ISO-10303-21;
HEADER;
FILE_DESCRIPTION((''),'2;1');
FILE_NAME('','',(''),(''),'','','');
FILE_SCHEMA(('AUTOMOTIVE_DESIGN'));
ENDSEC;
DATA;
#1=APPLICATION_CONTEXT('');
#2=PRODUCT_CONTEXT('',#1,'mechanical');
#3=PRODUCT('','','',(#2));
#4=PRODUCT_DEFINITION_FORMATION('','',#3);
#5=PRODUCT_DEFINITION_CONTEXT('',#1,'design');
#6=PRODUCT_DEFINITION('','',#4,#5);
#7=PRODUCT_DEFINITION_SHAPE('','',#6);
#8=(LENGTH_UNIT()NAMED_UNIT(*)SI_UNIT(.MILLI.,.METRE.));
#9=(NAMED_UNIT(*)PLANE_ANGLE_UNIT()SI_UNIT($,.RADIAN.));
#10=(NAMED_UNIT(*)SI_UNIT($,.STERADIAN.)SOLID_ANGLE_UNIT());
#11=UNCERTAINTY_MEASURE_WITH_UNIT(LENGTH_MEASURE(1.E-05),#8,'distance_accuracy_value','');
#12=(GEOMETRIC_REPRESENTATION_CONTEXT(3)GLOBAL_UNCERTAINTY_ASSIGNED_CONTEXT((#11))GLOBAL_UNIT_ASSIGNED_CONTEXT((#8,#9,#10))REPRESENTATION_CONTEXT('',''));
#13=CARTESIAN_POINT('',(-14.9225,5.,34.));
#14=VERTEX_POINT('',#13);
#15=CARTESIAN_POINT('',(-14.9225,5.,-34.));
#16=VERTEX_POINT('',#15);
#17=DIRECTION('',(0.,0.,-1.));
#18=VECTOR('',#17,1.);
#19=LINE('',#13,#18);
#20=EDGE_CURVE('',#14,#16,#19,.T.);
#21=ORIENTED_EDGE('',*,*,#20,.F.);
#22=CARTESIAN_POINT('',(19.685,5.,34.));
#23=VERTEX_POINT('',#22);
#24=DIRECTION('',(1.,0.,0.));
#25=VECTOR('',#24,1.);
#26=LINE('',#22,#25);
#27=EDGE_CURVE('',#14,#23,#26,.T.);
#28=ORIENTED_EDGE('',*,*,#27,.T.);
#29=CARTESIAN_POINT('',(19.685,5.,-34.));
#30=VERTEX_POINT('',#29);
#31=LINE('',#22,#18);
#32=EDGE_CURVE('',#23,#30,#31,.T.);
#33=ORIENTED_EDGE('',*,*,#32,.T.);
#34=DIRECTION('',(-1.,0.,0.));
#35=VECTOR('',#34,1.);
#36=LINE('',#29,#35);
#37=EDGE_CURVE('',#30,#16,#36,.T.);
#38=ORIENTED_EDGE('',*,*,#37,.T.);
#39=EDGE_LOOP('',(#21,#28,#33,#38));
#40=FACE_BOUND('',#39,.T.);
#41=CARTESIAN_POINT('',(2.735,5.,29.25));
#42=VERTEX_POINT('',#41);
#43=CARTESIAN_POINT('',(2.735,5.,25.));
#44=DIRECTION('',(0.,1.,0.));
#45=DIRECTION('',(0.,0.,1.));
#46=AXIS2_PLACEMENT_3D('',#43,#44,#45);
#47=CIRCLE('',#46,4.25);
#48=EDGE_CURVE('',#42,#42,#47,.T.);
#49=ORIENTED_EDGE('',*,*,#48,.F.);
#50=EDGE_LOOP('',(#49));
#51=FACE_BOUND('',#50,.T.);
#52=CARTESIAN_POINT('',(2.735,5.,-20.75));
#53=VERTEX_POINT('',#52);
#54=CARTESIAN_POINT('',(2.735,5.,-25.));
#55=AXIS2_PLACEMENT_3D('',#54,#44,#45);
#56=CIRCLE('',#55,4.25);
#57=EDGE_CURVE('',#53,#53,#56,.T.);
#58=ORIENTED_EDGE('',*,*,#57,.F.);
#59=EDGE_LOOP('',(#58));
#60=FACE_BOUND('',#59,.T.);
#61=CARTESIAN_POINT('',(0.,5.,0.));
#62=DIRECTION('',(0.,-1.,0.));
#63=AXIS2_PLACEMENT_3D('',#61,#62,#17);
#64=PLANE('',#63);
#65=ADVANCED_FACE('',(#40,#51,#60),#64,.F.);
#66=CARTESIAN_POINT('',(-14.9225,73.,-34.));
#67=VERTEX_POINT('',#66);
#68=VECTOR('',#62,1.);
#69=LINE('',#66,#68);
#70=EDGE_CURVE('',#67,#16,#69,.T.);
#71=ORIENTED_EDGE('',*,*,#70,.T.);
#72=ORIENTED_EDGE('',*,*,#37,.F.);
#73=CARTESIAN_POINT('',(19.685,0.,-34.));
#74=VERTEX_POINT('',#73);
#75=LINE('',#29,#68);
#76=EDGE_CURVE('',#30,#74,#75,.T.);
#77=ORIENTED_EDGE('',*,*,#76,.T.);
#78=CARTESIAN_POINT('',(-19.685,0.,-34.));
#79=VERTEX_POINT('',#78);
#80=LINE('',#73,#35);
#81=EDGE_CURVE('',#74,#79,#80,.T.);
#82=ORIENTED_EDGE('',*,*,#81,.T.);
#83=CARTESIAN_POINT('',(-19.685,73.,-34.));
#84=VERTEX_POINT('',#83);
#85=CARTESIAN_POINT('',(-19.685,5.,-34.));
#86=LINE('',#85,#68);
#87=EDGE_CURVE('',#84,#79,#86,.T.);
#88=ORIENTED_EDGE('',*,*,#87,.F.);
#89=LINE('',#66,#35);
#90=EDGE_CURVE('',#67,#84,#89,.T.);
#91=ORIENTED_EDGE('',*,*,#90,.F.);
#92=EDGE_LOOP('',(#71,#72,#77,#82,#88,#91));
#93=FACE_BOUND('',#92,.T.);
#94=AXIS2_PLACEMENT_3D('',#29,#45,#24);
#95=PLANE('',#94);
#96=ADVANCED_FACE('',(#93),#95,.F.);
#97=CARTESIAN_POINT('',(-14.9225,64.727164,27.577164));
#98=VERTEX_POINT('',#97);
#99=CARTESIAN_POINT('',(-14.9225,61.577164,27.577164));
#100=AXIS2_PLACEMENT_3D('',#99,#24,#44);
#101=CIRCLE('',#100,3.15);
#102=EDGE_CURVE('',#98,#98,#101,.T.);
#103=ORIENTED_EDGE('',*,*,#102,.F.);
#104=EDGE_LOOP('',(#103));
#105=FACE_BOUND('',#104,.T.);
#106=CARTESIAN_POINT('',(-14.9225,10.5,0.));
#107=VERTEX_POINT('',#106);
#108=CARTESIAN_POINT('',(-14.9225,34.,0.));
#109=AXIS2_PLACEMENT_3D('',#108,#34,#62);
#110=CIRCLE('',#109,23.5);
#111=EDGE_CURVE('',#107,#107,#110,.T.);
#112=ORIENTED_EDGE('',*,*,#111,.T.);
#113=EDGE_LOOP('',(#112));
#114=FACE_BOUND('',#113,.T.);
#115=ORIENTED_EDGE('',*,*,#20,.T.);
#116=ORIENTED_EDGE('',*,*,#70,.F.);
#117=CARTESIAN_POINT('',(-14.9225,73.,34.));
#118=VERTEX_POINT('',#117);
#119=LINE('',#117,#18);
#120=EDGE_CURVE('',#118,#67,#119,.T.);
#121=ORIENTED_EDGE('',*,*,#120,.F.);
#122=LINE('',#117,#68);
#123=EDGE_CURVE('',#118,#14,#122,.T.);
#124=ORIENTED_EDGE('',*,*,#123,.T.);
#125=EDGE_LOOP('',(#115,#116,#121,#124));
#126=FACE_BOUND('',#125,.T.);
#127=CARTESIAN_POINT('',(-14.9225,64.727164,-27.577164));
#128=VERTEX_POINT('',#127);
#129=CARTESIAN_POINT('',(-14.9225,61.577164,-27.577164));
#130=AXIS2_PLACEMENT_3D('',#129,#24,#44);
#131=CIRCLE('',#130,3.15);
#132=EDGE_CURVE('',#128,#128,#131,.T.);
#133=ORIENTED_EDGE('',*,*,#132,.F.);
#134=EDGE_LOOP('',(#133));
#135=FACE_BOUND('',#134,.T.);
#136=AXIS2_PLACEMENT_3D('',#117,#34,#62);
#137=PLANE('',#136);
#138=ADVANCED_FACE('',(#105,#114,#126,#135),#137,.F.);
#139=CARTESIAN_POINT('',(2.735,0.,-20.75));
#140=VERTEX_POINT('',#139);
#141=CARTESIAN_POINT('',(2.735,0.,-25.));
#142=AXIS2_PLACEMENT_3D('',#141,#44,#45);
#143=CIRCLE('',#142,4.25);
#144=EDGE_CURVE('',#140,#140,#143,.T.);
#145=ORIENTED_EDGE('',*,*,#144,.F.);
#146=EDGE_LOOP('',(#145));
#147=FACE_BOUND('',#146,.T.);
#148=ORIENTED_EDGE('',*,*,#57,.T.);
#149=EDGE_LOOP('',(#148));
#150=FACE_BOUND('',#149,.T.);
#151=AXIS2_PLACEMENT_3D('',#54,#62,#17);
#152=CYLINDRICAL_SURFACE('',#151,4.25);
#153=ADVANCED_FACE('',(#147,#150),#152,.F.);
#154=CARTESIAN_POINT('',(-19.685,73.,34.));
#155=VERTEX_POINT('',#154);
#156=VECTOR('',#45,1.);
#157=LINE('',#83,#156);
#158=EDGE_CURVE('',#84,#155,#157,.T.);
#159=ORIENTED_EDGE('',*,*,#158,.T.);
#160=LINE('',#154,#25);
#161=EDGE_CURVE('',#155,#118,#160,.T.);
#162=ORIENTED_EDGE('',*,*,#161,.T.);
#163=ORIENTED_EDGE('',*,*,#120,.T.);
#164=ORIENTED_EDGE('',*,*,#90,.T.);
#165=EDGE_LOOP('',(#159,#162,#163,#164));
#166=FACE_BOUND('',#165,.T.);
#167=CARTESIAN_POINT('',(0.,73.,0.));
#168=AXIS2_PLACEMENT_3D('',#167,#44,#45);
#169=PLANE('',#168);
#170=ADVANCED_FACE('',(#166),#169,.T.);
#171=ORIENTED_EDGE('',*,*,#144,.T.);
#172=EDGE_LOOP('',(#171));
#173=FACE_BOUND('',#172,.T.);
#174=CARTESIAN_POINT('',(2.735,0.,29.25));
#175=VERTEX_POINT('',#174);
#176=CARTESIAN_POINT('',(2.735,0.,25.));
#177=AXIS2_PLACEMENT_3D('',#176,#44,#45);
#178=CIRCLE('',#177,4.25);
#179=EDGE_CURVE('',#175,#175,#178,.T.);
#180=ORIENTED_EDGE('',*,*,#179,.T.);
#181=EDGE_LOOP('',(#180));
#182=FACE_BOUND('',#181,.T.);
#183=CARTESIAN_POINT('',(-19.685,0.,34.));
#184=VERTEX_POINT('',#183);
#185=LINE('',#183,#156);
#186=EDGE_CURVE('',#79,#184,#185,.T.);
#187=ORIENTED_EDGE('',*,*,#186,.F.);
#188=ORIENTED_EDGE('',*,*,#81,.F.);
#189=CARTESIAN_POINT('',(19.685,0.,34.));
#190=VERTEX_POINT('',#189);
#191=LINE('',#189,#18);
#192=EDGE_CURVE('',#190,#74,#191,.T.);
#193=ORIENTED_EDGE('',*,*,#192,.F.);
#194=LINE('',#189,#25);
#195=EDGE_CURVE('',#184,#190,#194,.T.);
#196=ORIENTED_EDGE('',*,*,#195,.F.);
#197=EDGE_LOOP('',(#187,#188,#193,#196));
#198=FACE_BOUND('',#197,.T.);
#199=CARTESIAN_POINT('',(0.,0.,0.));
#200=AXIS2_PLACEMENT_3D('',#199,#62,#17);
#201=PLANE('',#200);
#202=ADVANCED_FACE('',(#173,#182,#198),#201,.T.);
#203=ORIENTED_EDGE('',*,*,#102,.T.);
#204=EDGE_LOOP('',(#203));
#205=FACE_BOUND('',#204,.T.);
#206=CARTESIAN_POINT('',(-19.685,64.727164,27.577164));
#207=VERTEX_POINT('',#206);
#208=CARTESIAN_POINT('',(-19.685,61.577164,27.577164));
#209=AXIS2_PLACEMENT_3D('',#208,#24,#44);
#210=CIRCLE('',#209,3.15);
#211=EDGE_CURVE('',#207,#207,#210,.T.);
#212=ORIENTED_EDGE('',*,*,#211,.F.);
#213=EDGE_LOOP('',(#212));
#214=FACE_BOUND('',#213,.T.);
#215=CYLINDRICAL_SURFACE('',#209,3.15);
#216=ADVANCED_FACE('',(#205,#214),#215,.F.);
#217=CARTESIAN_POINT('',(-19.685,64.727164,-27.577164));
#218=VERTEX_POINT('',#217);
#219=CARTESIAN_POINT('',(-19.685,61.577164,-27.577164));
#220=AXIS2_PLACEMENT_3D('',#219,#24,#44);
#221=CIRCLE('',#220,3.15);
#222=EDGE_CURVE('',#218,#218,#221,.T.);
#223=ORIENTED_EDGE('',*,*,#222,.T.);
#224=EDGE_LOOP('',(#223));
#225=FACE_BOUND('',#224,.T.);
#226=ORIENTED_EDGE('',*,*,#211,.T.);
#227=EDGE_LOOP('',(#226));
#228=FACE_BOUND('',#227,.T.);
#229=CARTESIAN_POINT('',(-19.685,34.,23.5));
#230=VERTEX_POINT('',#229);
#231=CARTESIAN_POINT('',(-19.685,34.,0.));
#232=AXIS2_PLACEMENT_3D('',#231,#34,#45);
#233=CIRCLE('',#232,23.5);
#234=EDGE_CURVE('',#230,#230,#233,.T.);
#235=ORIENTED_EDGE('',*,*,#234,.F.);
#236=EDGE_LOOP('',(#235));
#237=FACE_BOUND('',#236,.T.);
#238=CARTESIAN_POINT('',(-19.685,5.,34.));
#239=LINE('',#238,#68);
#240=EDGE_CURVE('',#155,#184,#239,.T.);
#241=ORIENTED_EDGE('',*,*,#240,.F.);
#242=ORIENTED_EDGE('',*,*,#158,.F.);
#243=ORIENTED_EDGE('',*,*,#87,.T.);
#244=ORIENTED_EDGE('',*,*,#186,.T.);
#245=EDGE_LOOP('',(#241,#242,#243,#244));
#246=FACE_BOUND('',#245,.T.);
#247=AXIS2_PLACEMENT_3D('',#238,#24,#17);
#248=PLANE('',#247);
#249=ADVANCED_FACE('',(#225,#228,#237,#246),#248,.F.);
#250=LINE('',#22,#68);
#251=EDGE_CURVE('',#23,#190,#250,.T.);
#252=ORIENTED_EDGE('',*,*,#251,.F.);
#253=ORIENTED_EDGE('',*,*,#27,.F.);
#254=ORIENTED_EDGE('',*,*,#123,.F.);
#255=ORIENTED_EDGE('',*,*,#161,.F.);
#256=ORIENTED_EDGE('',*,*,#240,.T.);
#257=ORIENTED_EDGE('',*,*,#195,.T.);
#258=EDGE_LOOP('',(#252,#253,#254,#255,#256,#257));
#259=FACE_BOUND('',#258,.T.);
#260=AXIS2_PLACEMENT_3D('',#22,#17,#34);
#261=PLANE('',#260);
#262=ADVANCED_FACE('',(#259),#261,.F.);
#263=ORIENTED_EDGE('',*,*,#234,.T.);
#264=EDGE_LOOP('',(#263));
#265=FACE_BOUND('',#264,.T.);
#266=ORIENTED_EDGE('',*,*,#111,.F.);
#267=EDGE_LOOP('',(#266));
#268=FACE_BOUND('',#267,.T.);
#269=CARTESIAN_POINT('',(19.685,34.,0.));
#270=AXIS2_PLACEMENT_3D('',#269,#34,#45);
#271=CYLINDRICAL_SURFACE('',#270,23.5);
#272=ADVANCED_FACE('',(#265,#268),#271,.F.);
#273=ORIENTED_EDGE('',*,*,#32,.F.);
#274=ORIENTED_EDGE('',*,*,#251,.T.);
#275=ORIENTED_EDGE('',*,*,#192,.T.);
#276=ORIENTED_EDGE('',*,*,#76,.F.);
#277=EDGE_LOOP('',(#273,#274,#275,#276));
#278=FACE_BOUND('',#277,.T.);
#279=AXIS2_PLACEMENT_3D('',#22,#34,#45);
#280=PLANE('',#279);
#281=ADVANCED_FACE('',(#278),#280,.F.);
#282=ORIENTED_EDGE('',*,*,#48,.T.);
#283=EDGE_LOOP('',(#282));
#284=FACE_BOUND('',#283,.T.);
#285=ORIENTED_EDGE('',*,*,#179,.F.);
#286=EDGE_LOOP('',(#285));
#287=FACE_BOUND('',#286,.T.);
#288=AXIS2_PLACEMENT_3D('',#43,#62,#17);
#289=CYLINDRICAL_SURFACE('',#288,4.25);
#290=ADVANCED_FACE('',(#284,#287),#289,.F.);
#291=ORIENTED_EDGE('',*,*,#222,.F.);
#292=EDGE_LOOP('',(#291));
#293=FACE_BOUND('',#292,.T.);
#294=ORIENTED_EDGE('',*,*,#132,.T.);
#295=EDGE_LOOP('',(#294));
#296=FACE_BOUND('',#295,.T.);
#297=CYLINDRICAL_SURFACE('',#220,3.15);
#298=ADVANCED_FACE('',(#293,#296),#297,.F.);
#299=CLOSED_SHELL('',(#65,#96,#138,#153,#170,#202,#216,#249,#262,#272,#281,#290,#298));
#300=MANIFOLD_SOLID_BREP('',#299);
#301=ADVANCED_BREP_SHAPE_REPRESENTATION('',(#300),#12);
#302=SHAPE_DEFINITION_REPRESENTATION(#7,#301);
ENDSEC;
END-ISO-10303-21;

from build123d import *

# Parameters (mm, degrees)
SKETCH1_W           = 68
SKETCH1_H           = 39.37
SKETCH1_R           = 4.25
BOSS_EXTRUDE1_DEPTH = 5
SKETCH2_W           = 68
SKETCH2_H           = 4.7625
BOSS_EXTRUDE2_DEPTH = 68
SKETCH4_R           = 3.15
CUT_EXTRUDE2_DEPTH  = 88.650893072
SKETCH14_R          = 23.5
CUT_EXTRUDE3_DEPTH  = 90.638144224


with BuildPart() as part:
    # Sketch1 → Boss-Extrude1 (new body)
    with BuildSketch(Plane(origin=(0, 0, 0), x_dir=(0, 0, -1), z_dir=(0, 1, 0))):
        Rectangle(SKETCH1_W, SKETCH1_H)
        with Locations((-25, -2.735)):
            Circle(SKETCH1_R, mode=Mode.SUBTRACT)
        with Locations((25, -2.735)):
            Circle(SKETCH1_R, mode=Mode.SUBTRACT)
    extrude(amount=BOSS_EXTRUDE1_DEPTH)

    # Sketch2 → Boss-Extrude2 (add)
    with BuildSketch(Plane(origin=(0, 5, 0), x_dir=(0, 0, -1), z_dir=(0, 1, 0))):
        with Locations((0, 17.30375)):
            Rectangle(SKETCH2_W, SKETCH2_H)
    extrude(amount=BOSS_EXTRUDE2_DEPTH)

    # Sketch4 → Cut-Extrude2 (cut, through all)
    with BuildSketch(Plane(origin=(-14.9225, 0, 0), x_dir=(0, 0, -1), z_dir=(1, 0, 0))):
        with Locations((-27.577164466, 61.577164466)):
            Circle(SKETCH4_R)
        with Locations((27.577164466, 61.577164466)):
            Circle(SKETCH4_R)
    extrude(amount=-CUT_EXTRUDE2_DEPTH, mode=Mode.SUBTRACT)

    # Sketch14 → Cut-Extrude3 (cut, through all)
    with BuildSketch(Plane.ZY.offset(19.685)):
        with Locations((0, 34)):
            Circle(SKETCH14_R)
    extrude(amount=-CUT_EXTRUDE3_DEPTH, mode=Mode.SUBTRACT)


solid = part.part
